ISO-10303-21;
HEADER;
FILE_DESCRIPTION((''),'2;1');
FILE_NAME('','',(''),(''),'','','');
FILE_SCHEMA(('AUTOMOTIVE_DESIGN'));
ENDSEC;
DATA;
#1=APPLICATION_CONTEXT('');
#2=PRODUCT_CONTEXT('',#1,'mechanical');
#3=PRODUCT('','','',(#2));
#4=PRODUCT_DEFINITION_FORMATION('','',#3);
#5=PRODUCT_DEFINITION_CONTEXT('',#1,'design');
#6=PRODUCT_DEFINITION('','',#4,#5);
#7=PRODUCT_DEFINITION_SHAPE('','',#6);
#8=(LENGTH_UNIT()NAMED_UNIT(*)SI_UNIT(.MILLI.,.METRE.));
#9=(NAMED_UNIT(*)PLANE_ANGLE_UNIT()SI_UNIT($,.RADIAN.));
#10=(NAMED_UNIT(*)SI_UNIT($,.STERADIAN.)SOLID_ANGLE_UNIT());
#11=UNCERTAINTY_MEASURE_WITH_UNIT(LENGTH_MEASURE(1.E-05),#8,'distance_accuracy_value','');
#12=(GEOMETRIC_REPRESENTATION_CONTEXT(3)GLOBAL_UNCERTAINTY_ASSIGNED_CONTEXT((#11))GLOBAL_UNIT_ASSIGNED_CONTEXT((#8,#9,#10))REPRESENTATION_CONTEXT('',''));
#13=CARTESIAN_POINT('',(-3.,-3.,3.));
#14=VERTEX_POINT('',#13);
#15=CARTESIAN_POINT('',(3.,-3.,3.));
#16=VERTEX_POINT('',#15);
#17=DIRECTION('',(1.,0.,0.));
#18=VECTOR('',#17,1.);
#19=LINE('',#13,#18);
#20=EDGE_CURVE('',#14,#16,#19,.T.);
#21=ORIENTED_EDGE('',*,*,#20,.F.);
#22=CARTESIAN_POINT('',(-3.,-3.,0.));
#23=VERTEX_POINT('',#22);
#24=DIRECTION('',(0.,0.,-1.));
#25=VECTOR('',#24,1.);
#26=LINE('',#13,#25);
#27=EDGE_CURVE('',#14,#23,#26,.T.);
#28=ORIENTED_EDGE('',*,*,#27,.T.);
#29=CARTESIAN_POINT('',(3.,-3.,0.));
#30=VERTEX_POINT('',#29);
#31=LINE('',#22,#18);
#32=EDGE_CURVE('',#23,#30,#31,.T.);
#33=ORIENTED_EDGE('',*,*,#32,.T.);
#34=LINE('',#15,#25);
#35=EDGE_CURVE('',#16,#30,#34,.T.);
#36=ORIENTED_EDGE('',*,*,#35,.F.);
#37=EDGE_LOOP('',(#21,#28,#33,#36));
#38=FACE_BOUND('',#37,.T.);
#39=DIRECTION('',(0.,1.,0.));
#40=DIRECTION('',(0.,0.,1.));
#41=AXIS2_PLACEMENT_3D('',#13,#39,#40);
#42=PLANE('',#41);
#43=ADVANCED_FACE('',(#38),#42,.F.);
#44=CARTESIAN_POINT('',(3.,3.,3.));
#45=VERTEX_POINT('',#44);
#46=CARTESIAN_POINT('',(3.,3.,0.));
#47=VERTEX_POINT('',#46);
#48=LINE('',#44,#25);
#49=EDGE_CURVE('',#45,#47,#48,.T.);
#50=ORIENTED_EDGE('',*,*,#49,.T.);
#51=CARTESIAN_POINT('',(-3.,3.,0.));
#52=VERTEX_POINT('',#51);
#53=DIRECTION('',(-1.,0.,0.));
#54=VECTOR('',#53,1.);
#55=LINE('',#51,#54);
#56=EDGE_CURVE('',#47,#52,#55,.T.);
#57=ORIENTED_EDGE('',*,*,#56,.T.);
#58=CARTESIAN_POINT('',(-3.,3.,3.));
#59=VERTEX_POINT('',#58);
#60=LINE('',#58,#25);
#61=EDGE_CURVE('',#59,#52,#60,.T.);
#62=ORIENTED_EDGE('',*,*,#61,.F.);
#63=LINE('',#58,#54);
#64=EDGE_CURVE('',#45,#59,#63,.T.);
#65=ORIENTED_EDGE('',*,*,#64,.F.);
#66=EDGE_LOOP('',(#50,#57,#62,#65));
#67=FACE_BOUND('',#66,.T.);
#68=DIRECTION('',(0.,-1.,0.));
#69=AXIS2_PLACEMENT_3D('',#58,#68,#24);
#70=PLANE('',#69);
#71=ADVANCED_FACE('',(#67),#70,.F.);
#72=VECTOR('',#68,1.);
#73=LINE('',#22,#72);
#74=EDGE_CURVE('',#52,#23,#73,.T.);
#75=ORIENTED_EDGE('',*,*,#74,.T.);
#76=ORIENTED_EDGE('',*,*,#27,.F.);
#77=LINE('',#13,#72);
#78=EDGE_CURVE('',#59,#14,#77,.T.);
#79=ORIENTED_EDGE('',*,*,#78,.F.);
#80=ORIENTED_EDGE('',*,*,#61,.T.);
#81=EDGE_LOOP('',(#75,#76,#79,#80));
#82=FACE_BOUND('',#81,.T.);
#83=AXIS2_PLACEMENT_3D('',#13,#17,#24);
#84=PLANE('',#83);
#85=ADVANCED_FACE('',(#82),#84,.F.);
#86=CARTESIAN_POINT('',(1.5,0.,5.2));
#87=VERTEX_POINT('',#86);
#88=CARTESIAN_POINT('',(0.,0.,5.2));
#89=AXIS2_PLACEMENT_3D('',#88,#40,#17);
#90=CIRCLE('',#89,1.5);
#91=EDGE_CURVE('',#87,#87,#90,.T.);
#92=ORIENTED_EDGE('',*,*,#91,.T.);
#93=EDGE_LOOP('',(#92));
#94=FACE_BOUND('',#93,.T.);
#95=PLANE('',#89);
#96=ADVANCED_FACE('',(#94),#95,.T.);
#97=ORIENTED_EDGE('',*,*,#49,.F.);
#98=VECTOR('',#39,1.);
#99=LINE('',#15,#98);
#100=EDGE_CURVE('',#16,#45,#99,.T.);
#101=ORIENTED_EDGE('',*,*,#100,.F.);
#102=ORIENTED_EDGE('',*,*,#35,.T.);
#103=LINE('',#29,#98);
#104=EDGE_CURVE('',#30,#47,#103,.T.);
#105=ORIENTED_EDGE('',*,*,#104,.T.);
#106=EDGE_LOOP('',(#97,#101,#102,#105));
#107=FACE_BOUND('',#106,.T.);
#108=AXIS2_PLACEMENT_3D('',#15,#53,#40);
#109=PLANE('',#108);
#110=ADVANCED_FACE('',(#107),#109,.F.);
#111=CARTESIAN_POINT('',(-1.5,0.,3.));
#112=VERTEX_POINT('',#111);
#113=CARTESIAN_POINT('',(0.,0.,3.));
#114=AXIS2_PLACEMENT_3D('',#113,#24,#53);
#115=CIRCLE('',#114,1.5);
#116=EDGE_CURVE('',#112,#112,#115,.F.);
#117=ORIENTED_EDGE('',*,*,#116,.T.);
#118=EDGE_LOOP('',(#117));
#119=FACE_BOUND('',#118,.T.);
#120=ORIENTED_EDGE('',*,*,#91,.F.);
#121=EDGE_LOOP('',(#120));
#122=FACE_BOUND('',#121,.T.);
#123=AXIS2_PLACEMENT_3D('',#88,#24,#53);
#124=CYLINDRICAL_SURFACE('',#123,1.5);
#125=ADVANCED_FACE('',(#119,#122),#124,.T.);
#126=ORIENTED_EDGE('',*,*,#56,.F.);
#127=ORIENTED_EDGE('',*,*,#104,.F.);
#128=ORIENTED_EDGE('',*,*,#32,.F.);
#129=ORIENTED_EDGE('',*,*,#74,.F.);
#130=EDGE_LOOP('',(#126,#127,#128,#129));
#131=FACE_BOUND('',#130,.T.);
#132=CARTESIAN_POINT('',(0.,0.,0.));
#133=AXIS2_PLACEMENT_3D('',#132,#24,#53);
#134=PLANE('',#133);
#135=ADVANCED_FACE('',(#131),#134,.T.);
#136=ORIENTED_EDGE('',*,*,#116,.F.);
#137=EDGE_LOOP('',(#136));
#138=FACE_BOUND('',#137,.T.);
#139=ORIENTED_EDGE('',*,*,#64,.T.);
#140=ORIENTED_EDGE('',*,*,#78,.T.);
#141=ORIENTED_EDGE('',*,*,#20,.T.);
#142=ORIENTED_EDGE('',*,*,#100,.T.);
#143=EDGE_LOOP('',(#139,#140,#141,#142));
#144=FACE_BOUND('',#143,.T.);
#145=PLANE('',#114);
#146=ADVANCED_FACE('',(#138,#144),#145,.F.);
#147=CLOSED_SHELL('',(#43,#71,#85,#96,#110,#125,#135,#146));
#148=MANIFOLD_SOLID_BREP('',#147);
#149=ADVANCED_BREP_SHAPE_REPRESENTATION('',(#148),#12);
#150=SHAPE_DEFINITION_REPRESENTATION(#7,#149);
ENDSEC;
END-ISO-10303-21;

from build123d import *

# Parameters (mm, degrees)
SKETCH2_W           = 6
SKETCH2_H           = 6
BOSS_EXTRUDE1_DEPTH = 3
SKETCH3_R           = 1.5
BOSS_EXTRUDE2_DEPTH = 2.2


with BuildPart() as part:
    # Sketch2 → Boss-Extrude1 (new body)
    with BuildSketch(Plane.XY):
        Rectangle(SKETCH2_W, SKETCH2_H)
    extrude(amount=BOSS_EXTRUDE1_DEPTH)

    # Sketch3 → Boss-Extrude2 (add)
    with BuildSketch(Plane.XY.offset(3)):
        with Locations(Location((0, 0, 0), (0, 0, 180))):
            Circle(SKETCH3_R)
    extrude(amount=BOSS_EXTRUDE2_DEPTH)


solid = part.part
